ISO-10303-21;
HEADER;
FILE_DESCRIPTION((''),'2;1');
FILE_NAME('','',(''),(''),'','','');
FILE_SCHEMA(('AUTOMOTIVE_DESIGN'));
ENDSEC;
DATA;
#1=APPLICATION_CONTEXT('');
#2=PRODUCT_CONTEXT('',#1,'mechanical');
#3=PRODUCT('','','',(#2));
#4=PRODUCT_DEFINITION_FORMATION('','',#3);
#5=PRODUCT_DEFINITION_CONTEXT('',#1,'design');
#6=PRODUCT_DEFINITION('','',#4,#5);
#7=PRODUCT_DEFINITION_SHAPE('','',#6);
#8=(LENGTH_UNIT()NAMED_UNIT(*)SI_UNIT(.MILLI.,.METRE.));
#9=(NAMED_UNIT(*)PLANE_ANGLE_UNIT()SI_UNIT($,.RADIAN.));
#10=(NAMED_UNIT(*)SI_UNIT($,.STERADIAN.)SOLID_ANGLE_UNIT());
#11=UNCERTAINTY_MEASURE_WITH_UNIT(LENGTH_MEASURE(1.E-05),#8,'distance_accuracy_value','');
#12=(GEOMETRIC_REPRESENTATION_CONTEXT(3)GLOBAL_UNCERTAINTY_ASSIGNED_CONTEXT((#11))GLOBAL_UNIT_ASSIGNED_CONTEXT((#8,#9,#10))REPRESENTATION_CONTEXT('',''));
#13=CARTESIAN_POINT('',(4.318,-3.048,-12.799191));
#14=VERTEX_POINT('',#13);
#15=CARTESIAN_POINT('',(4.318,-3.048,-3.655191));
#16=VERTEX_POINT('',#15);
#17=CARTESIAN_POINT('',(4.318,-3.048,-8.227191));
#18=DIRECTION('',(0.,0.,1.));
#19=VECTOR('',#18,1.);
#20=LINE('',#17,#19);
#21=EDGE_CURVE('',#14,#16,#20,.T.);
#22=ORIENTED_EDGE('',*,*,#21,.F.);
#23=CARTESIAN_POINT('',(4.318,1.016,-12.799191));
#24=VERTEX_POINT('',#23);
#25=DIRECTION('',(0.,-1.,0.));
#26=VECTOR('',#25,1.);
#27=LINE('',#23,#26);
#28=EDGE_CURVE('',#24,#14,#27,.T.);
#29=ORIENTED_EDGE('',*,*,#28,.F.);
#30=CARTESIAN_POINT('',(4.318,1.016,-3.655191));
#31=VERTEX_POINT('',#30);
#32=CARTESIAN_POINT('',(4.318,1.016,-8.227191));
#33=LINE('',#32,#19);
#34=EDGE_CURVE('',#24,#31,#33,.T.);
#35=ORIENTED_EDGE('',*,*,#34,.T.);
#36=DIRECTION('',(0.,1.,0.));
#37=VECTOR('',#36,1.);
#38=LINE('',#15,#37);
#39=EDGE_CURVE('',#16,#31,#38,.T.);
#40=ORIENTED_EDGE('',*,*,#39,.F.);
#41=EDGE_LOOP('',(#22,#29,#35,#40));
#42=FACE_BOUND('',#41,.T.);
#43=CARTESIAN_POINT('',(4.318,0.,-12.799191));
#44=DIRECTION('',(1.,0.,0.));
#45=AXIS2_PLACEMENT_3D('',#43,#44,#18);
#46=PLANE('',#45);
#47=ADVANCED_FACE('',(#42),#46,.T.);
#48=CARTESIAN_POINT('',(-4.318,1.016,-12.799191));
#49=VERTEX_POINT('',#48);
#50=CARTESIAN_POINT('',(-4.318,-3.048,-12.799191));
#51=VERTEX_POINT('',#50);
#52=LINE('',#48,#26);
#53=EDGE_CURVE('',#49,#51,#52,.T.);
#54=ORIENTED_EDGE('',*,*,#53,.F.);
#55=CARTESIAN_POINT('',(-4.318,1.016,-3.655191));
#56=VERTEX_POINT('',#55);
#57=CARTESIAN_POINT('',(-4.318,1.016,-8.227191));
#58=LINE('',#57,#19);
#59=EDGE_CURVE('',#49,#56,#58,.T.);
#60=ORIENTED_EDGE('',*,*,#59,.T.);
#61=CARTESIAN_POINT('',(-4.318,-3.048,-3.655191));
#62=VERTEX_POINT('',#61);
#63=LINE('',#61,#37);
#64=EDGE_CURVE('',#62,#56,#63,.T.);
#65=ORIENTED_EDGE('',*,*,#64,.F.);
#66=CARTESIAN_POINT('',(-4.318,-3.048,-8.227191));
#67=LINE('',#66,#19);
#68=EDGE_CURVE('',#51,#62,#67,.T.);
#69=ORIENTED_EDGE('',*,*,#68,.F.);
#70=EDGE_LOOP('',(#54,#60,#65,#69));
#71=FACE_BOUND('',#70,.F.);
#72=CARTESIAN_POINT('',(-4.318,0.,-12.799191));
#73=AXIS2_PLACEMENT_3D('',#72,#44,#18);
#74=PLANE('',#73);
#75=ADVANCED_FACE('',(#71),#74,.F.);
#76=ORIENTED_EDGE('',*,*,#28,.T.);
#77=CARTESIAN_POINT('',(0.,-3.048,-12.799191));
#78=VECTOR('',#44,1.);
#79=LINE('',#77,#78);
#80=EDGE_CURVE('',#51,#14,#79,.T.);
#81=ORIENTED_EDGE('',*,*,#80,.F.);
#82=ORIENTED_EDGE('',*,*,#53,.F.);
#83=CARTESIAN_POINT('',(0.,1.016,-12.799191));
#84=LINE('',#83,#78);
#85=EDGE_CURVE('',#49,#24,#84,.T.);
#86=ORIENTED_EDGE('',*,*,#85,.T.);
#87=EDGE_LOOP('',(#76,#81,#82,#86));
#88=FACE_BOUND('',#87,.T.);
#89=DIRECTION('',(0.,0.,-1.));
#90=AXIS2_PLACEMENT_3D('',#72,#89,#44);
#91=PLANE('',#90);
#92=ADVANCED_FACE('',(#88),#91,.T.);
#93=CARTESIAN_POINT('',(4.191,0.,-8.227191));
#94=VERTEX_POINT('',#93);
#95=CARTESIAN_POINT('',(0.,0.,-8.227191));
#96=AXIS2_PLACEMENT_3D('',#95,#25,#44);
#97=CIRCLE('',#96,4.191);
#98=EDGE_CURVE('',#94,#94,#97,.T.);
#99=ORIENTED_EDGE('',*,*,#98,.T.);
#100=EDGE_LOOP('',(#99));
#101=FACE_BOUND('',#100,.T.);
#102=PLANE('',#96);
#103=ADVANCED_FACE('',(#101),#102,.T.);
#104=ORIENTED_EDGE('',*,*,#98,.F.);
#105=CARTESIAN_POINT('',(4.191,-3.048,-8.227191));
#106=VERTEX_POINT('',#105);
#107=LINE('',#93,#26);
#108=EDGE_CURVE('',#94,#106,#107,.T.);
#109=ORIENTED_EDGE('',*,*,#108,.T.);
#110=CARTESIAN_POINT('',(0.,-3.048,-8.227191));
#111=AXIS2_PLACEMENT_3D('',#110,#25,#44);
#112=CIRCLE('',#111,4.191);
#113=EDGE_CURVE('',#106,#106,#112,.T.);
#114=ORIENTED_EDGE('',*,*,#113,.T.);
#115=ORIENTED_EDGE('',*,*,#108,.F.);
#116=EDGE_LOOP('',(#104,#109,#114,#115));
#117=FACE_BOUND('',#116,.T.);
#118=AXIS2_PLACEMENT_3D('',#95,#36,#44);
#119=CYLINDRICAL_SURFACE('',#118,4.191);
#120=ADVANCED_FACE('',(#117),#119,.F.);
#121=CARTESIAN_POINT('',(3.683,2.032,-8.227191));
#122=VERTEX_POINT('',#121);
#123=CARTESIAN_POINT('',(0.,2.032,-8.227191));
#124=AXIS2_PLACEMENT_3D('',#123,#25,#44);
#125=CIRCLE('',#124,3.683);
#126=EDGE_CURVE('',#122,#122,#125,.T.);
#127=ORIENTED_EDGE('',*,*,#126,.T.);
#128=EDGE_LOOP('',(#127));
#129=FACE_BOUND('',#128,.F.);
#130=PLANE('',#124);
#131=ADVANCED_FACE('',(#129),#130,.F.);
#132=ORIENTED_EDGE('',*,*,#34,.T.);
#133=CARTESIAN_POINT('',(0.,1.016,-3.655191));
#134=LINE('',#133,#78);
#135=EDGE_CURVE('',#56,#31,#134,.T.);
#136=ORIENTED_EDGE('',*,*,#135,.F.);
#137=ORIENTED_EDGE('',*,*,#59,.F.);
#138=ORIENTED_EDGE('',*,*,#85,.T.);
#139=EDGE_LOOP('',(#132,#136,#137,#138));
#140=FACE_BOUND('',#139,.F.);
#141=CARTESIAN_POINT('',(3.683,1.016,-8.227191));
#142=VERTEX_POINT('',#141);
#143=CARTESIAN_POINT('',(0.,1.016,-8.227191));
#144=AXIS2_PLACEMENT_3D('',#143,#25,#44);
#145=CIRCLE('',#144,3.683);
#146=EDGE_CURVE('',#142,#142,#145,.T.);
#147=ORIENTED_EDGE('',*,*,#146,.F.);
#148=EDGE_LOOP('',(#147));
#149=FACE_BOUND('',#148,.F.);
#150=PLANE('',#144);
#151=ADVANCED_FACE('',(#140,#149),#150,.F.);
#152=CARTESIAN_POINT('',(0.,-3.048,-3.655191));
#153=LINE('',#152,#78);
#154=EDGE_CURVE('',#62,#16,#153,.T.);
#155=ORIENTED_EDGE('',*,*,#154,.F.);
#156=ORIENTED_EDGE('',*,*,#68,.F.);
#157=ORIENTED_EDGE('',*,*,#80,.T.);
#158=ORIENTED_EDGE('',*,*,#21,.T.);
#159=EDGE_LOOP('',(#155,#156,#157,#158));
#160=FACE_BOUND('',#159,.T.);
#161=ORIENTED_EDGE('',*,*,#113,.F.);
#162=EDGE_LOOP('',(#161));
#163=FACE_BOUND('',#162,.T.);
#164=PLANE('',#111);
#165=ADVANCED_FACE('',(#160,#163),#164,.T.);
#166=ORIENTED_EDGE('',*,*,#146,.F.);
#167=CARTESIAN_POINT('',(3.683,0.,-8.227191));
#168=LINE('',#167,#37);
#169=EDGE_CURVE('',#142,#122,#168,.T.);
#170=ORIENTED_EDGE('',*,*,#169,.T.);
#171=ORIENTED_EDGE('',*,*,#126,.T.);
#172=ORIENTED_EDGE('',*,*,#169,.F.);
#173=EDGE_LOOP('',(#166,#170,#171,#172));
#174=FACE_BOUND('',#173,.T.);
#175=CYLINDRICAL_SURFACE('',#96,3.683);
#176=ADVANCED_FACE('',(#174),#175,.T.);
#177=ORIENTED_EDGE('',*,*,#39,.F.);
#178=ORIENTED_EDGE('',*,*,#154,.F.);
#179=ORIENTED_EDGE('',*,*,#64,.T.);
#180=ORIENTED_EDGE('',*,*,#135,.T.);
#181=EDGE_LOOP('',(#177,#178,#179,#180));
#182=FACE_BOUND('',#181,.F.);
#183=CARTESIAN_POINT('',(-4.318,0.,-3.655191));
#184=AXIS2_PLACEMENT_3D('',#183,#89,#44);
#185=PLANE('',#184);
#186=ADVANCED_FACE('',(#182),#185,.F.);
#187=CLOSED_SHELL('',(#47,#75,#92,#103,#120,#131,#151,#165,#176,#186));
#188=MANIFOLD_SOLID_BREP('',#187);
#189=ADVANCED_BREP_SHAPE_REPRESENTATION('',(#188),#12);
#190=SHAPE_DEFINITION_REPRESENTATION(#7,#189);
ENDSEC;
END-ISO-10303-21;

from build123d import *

# Parameters (mm, degrees)
F0_W     = 8.636
F0_H     = 9.144
F0_R     = 4.191
F1_DEPTH = 3.048
F0_R_2   = 3.683
F2_DEPTH = 1.016
F3_DEPTH = 2.032


with BuildPart() as f1:
    # F0 (on Front) → F1 (new body)
    with BuildSketch(Plane.XZ):
        with Locations((0, -8.227191)):
            Rectangle(F0_W, F0_H)
        with Locations((0, -8.227191)):
            Circle(F0_R, mode=Mode.SUBTRACT)
    extrude(amount=F1_DEPTH)

    # F0 (on Front) → F2 (join)
    with BuildSketch(Plane.XZ):
        with Locations((0, -8.227191)):
            Rectangle(F0_W, F0_H)
        with Locations((0, -8.227191)):
            Circle(F0_R, mode=Mode.SUBTRACT)
        with Locations((0, -8.227191)):
            Circle(F0_R_2)
        with Locations((0, -8.227191)):
            Circle(F0_R)
        with Locations((0, -8.227191)):
            Circle(F0_R_2, mode=Mode.SUBTRACT)
    extrude(amount=-F2_DEPTH)

    # F0 (on Front) → F3 (join)
    with BuildSketch(Plane.XZ):
        with Locations((0, -8.227191)):
            Circle(F0_R_2)
    extrude(amount=-F3_DEPTH)


solid = f1.part
